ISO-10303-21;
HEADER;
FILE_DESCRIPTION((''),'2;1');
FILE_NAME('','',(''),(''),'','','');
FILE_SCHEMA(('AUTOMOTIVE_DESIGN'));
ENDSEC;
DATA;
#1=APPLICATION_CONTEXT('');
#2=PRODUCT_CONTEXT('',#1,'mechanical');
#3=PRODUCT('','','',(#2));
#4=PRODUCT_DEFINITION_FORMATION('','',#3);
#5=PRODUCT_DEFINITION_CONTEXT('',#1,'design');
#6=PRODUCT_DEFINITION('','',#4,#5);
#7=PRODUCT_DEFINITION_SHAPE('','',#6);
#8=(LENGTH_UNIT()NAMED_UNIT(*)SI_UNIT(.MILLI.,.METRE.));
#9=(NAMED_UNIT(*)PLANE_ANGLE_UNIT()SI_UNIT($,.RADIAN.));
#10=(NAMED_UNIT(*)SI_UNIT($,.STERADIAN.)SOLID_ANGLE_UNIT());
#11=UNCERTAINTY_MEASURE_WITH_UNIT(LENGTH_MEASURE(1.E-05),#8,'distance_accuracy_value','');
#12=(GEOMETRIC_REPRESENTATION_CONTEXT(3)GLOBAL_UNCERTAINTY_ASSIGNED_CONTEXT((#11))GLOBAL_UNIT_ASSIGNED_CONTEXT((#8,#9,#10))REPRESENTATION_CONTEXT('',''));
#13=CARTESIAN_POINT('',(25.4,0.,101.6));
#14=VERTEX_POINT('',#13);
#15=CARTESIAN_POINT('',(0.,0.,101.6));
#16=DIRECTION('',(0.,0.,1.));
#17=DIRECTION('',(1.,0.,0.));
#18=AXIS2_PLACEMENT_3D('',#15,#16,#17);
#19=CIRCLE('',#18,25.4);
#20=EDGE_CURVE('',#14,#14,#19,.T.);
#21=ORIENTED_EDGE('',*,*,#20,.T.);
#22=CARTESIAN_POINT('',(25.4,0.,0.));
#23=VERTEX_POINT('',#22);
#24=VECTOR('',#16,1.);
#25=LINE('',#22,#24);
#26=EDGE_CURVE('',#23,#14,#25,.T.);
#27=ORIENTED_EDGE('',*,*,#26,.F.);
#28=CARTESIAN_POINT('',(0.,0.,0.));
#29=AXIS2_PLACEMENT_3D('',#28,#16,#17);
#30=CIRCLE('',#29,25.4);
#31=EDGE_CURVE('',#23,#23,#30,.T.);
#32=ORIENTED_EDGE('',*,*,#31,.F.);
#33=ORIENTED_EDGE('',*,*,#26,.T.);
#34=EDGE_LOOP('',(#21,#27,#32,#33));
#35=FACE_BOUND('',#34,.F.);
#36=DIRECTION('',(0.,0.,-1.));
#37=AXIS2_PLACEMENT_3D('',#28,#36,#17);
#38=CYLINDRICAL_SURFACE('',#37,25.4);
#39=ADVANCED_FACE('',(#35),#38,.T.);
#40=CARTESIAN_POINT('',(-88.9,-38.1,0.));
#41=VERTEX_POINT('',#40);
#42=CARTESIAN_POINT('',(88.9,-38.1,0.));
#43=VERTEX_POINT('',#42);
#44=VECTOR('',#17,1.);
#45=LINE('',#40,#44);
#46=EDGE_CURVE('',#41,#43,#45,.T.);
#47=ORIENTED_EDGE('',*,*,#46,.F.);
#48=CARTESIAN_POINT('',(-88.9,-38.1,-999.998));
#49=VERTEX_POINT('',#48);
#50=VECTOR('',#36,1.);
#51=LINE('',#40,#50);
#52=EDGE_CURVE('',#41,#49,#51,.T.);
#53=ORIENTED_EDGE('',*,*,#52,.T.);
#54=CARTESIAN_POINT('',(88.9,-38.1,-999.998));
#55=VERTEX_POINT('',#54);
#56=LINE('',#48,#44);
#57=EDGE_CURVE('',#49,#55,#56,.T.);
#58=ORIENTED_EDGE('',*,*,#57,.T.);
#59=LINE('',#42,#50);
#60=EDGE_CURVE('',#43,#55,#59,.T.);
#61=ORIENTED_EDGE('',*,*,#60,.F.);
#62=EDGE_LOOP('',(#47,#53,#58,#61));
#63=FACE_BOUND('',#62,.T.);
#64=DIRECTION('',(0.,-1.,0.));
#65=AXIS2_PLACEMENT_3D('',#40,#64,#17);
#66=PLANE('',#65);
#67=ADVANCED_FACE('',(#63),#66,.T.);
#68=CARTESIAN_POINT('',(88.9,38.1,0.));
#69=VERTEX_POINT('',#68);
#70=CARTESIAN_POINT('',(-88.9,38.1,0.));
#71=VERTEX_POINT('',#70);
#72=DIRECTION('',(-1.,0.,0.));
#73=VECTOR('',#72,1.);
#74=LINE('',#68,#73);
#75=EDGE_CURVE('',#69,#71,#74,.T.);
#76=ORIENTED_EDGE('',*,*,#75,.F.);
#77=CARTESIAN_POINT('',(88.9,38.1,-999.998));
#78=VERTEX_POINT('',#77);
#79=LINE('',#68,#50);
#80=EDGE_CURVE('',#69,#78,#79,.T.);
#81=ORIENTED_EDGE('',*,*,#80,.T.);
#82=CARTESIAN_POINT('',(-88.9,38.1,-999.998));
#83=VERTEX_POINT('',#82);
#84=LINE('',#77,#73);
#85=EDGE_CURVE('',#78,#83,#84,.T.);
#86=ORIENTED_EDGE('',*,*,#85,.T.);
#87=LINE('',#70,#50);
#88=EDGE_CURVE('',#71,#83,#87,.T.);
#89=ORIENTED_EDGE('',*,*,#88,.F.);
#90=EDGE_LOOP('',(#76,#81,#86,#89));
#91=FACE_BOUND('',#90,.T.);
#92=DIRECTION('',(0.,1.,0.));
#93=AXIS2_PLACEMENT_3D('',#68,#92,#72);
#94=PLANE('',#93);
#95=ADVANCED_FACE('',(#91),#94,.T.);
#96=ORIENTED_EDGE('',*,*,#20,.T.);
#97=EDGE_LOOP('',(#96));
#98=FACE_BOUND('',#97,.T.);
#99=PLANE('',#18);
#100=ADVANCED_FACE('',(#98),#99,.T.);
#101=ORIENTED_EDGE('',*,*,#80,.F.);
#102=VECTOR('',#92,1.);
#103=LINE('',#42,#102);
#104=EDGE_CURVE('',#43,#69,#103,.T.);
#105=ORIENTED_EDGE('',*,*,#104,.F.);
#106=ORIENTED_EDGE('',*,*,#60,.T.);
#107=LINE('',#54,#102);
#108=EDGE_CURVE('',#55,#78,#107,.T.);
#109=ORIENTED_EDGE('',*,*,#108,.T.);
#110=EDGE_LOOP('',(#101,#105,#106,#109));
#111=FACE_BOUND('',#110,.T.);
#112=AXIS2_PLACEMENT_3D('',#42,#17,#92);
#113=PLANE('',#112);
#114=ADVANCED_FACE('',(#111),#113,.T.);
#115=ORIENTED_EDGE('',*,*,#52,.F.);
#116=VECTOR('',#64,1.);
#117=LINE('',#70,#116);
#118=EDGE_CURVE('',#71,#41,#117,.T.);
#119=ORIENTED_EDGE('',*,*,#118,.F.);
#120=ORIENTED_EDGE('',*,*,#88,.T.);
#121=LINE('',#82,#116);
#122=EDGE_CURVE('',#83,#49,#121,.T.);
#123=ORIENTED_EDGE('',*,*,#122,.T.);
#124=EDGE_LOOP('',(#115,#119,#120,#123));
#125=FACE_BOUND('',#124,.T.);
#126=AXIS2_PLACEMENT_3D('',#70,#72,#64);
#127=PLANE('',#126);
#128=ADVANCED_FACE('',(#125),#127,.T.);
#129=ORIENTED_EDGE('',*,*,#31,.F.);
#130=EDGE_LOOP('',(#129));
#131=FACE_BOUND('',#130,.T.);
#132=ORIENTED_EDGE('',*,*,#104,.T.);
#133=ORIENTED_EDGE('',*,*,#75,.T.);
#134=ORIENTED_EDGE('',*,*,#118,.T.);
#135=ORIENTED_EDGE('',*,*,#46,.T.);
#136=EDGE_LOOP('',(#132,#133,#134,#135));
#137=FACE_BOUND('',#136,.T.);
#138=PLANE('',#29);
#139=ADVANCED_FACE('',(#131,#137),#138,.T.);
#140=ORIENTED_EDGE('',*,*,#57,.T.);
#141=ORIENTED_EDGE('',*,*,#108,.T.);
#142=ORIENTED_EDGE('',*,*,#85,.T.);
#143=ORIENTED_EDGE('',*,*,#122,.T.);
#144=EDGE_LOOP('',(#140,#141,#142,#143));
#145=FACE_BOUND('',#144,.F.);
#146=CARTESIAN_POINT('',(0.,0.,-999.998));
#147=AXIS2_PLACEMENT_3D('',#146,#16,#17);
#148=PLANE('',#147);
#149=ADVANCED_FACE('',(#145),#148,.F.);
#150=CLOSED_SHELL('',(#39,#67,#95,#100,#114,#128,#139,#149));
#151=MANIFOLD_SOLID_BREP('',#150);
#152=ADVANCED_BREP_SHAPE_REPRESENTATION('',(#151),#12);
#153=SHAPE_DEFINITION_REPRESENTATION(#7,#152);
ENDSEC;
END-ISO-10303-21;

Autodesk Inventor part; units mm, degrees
ref_plane "YZ Plane" through (0, 0, 0) normal (1, 0, 0) x (0, 1, 0)
ref_plane "XZ Plane" through (0, 0, 0) normal (0, 1, 0) x (-1, 0, 0)
ref_plane "XY Plane" through (0, 0, 0) normal (0, 0, 1) x (1, 0, 0)
sketch "Sketch1" plane through (0, 0, 0) normal (0, 0, 1) x (1, 0, 0)
  circle A0 centre (0, 0) radius 25.4
  dimension "d0" = 50.8
extrude "Extrusion1" add sketch "Sketch1" along normal blind 101.6
sketch "Sketch2" plane through (0, 0, 0) normal (0, 0, 1) x (1, 0, 0)
  line L0 (88.9, 38.1) -> (-88.9, 38.1)
  line L1 (-88.9, 38.1) -> (-88.9, -38.1)
  line L2 (-88.9, -38.1) -> (88.9, -38.1)
  line L3 (88.9, -38.1) -> (88.9, 38.1)
  point P0 (0, 0)
  point P1 (0, 38.1)
  point P2 (88.9, 0)
  dimension "d3" = 76.2
  dimension "d4" = 177.8
extrude "Extrusion2" add sketch "Sketch2" against normal blind 999.998
properties part number "solid_for_CFD_test_06(testing device)"
